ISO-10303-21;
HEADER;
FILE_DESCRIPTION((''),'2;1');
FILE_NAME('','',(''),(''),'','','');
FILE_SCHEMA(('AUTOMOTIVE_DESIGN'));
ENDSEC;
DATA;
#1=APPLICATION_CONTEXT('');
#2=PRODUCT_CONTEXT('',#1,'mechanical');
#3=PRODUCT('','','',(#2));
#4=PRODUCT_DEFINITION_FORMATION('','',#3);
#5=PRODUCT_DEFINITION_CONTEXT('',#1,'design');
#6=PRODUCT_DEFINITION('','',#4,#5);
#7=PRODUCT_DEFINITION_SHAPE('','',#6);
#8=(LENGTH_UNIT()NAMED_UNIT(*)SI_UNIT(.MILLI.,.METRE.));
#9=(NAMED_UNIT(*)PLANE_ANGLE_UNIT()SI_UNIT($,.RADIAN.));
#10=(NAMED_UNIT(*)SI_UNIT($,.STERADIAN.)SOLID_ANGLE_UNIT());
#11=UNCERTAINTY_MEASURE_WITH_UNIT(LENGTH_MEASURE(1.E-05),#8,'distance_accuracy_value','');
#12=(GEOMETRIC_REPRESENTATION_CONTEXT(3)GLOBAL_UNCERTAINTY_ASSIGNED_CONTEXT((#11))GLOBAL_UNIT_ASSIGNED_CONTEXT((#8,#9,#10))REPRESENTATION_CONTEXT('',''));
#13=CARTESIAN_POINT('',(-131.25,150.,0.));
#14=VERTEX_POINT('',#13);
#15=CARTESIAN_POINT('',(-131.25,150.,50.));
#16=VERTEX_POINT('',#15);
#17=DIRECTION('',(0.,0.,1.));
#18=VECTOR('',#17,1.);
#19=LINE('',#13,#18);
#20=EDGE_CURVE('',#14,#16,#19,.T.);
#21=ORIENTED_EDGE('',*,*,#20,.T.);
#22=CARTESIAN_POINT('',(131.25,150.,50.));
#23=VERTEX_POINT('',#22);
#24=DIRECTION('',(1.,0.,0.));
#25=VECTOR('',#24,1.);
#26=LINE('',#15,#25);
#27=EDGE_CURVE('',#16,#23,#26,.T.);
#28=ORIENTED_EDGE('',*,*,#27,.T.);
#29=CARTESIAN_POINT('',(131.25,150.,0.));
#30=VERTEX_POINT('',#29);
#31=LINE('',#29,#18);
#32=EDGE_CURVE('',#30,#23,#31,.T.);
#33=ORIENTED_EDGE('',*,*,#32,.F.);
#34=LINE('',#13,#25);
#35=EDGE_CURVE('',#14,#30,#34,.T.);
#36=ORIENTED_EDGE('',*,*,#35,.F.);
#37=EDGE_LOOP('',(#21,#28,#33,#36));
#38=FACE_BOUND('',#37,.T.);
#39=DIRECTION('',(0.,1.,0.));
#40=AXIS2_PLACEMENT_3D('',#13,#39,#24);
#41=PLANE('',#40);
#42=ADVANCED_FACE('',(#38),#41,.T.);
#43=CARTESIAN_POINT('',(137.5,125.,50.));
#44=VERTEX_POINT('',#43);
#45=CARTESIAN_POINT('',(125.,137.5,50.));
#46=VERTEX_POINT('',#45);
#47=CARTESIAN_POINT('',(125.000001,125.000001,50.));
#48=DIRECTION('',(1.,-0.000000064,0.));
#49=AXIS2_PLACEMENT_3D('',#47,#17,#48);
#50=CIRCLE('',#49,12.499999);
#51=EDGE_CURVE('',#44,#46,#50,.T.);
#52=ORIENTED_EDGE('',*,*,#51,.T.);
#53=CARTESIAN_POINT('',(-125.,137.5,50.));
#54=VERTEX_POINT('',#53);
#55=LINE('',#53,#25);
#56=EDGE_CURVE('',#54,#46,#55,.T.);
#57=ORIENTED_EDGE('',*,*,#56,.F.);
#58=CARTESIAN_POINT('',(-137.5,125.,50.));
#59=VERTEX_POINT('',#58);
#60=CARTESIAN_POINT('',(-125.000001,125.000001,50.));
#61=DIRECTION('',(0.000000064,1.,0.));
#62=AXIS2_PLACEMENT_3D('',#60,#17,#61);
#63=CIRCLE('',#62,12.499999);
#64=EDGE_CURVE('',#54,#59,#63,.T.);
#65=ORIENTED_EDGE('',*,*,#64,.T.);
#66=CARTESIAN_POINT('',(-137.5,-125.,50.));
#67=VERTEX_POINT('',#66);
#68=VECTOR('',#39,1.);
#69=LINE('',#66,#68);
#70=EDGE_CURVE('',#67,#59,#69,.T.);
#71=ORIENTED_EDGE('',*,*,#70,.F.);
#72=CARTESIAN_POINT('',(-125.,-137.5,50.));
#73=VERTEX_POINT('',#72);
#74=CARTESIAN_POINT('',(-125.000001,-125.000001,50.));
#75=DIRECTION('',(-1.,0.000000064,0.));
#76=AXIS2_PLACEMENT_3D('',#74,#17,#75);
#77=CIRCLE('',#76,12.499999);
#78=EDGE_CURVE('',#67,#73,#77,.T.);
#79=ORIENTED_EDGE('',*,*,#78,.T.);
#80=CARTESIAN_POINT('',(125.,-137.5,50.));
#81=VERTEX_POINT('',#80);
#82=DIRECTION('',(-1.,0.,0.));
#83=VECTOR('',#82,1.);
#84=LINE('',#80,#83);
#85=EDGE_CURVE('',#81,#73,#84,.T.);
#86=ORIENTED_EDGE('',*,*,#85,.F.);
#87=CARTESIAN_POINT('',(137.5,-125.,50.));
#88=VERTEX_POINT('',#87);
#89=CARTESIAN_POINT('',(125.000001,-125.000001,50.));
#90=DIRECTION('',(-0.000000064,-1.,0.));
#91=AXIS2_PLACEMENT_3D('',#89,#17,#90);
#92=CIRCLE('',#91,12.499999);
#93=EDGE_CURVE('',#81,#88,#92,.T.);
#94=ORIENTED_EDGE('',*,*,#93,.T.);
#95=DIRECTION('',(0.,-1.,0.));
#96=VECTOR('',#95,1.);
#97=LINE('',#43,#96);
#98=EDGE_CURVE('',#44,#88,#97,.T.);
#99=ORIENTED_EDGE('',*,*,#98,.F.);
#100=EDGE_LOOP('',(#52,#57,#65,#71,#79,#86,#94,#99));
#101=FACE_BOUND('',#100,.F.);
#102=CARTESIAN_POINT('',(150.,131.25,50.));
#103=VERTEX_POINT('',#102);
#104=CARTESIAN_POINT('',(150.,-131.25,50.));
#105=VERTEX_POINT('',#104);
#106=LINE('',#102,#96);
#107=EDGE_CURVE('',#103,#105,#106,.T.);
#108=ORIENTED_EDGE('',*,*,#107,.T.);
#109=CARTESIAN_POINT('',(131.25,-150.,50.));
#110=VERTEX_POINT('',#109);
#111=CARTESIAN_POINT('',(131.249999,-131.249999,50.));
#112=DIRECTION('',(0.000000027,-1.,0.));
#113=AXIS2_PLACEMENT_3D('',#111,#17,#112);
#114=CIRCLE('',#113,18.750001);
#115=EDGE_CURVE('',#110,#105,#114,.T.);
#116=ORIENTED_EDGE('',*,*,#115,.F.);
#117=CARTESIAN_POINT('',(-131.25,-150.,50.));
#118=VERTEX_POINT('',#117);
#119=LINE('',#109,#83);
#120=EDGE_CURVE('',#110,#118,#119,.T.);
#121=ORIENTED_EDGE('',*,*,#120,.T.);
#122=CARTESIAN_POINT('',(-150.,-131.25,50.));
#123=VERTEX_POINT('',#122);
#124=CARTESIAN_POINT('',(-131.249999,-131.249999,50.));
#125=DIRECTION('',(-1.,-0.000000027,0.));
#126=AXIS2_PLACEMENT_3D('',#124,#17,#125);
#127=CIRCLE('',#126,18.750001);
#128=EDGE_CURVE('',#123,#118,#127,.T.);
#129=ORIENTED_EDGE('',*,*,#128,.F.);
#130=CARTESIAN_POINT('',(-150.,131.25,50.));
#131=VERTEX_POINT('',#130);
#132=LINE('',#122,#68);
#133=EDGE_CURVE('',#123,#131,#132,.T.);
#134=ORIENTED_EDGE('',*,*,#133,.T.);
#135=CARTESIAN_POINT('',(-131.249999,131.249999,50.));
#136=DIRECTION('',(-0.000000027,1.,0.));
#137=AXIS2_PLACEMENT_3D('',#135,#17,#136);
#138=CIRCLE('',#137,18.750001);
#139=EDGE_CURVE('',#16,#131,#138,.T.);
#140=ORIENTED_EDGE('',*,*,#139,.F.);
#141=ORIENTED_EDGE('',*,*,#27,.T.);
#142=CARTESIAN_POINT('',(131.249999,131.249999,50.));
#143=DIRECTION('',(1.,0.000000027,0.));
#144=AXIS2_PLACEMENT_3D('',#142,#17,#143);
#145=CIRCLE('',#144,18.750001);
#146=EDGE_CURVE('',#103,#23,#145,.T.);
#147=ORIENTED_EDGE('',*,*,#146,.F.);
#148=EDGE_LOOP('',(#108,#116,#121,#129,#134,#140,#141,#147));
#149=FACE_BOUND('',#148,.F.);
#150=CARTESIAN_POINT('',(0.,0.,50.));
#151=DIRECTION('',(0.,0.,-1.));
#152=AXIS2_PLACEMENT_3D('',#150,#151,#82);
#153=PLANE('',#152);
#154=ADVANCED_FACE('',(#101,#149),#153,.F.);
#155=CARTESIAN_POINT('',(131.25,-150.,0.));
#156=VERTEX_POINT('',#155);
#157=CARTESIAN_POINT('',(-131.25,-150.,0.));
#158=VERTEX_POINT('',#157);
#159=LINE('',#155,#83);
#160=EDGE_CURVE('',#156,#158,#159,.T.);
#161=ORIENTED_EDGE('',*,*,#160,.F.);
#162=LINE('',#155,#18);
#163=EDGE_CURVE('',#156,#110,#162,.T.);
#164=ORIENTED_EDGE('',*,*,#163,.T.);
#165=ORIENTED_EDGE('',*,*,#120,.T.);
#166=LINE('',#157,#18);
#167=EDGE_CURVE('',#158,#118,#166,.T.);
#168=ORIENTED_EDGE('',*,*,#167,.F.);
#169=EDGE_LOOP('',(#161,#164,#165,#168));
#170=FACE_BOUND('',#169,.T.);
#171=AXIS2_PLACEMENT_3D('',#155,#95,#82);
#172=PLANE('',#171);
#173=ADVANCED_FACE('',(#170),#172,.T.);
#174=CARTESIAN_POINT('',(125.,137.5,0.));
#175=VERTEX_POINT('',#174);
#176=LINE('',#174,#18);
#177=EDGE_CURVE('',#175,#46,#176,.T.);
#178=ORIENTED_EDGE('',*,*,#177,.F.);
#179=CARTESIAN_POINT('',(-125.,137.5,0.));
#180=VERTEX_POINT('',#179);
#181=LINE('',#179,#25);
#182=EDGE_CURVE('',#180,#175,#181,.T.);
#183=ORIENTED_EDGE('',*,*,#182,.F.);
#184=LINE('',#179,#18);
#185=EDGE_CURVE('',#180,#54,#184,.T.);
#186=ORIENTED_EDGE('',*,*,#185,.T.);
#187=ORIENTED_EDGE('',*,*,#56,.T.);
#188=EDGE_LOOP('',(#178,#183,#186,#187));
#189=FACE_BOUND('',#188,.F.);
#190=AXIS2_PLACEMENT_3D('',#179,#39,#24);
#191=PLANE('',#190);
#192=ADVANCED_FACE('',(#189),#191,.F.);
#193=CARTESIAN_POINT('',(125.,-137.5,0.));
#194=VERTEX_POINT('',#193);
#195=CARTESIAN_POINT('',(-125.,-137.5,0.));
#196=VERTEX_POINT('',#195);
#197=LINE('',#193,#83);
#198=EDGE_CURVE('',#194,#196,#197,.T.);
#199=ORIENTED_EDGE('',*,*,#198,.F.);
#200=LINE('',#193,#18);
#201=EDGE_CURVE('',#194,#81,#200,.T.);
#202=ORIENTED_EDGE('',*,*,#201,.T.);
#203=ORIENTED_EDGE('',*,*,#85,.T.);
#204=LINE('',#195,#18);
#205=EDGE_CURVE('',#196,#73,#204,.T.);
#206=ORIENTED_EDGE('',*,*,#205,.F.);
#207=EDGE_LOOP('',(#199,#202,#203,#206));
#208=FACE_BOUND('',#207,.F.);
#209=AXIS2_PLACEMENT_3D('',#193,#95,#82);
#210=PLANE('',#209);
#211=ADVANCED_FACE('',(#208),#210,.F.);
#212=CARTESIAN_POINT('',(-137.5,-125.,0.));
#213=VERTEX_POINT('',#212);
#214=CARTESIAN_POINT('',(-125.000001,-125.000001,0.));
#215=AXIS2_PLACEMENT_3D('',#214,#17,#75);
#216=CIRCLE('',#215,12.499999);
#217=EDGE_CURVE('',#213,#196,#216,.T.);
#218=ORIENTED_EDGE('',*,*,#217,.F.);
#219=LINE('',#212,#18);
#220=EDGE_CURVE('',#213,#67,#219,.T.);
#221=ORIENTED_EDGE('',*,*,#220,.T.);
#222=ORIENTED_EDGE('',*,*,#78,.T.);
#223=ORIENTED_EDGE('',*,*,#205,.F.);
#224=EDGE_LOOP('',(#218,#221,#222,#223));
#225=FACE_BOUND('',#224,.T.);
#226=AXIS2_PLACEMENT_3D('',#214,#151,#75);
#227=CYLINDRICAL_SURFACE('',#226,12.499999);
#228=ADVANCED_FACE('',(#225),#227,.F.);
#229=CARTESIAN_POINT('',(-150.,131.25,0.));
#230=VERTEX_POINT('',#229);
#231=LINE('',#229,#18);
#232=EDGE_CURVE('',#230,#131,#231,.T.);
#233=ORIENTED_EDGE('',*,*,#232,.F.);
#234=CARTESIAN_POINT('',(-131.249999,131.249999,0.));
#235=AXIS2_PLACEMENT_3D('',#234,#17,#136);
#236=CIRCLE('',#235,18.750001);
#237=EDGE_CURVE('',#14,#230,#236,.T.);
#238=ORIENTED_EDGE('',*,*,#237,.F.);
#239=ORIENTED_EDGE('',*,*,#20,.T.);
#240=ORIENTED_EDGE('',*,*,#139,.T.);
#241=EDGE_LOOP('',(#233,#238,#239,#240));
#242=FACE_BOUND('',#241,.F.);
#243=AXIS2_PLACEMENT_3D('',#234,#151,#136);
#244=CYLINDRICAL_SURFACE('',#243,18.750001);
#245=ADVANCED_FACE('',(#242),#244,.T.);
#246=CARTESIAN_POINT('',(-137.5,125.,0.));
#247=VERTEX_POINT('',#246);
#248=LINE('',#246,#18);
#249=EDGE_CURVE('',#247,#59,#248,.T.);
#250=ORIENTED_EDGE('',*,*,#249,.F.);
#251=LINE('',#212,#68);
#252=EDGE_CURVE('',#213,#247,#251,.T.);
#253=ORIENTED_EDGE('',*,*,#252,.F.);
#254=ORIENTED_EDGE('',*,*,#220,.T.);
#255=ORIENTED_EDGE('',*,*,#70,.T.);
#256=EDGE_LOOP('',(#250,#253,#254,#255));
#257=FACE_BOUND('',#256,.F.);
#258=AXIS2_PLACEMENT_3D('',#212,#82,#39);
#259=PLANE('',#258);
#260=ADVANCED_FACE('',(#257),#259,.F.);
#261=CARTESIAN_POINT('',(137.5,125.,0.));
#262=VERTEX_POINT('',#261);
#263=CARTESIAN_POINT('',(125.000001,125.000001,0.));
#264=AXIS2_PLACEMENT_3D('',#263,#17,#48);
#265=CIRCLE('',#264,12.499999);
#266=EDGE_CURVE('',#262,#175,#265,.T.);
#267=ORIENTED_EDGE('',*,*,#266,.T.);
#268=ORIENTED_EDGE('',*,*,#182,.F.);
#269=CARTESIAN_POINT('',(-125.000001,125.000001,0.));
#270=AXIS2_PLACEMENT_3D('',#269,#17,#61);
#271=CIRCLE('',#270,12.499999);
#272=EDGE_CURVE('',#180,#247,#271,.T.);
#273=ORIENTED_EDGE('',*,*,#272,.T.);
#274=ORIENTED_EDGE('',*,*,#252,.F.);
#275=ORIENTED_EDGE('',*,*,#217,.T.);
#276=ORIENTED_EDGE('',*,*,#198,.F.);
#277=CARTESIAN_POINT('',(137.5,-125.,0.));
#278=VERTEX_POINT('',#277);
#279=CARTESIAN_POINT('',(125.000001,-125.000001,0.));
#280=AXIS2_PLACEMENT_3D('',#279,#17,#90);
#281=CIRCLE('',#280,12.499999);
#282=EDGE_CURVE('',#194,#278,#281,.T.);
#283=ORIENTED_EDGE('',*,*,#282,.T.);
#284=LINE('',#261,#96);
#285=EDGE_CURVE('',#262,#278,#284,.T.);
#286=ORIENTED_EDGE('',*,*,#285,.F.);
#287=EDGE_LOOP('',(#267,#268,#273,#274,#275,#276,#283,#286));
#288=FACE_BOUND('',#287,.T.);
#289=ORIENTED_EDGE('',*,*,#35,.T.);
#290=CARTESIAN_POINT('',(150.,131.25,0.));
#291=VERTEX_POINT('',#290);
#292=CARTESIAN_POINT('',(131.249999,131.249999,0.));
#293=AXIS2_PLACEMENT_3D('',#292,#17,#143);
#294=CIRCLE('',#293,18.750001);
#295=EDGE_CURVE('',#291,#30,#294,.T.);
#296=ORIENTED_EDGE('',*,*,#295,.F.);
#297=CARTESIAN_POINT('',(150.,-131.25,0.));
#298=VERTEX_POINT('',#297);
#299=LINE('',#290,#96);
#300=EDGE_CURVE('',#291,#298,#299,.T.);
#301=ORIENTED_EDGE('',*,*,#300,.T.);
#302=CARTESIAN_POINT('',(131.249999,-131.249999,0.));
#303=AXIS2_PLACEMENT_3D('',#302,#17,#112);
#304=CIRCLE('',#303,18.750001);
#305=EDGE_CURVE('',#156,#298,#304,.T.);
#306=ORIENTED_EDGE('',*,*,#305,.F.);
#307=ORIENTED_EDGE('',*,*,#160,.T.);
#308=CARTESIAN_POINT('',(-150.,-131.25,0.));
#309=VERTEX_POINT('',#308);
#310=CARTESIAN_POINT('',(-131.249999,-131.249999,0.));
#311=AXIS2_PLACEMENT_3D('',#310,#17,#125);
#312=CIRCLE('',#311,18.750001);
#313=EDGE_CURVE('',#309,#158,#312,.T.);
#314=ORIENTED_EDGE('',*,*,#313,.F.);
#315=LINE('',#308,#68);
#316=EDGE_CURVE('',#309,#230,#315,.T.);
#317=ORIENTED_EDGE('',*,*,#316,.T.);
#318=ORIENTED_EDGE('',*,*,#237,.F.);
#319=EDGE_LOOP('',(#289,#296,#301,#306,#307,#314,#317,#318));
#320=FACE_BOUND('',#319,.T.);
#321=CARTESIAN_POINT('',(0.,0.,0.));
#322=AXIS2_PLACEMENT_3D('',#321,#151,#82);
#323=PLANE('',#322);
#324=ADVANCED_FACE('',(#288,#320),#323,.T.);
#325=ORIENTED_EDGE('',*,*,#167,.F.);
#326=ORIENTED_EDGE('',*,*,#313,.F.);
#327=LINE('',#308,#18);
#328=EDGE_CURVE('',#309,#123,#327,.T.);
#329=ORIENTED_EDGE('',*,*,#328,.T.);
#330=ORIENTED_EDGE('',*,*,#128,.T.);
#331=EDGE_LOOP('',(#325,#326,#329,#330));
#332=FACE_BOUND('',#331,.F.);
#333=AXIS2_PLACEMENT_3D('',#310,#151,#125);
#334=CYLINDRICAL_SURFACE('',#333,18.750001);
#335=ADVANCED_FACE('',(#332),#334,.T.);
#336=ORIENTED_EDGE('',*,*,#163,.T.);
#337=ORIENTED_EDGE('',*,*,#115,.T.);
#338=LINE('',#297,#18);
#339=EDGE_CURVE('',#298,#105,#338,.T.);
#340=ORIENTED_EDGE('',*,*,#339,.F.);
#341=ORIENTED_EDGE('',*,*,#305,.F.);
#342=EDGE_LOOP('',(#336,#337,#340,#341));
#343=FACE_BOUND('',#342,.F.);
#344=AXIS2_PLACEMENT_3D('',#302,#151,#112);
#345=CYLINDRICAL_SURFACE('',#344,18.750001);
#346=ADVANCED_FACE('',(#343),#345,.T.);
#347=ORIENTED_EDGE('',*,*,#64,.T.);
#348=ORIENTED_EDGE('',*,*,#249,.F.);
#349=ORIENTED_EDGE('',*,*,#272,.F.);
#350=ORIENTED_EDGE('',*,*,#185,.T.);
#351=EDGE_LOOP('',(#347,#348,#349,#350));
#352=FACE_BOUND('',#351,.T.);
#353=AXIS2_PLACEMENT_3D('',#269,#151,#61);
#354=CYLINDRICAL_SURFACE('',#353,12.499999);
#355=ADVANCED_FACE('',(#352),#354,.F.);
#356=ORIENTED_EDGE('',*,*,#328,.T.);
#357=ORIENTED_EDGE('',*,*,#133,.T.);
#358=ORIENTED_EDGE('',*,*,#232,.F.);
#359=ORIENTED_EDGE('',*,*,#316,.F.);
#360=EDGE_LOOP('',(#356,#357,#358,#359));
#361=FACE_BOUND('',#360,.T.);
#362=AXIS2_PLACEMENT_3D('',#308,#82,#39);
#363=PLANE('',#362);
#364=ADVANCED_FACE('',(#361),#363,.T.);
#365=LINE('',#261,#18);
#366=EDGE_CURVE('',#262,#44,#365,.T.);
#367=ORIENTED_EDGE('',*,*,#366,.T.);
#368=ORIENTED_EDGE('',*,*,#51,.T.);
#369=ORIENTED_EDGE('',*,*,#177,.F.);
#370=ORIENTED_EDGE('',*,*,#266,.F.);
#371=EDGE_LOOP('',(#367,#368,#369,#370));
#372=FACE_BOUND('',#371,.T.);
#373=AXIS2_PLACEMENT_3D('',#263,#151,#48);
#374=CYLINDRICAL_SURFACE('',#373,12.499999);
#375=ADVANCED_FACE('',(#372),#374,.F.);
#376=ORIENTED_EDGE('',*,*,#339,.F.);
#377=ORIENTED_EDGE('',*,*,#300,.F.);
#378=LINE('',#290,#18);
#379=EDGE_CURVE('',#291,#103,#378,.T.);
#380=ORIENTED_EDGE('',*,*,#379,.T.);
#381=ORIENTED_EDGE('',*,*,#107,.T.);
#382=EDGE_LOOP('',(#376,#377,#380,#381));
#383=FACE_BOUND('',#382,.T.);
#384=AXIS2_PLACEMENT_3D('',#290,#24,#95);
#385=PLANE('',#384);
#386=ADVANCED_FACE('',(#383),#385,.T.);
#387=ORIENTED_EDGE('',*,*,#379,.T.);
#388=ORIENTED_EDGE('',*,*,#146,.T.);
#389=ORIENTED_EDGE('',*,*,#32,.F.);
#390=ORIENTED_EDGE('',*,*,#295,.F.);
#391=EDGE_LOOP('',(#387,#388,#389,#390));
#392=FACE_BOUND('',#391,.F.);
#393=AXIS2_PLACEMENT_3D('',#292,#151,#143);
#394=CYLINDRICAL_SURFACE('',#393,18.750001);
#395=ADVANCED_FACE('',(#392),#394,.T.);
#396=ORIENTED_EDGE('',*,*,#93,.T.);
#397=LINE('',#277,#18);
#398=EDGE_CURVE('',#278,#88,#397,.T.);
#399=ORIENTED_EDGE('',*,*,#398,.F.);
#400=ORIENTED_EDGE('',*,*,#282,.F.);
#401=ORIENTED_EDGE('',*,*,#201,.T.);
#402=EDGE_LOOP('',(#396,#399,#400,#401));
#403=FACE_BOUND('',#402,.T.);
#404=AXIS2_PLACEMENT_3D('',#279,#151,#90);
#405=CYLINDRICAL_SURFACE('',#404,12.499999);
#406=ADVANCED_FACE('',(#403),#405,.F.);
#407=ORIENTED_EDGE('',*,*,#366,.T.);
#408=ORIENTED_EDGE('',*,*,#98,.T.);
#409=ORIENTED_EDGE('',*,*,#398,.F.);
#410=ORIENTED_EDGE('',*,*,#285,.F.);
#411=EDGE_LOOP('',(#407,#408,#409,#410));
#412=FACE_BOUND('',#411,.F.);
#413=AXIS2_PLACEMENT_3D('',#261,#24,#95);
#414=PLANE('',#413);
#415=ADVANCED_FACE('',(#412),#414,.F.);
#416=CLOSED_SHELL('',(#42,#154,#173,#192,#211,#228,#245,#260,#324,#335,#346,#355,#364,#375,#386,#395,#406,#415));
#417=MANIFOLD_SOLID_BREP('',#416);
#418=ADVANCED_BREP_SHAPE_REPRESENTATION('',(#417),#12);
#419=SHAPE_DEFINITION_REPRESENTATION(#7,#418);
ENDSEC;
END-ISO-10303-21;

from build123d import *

# Parameters (mm, degrees)
EXTRUDE_DEPTH = 50


with BuildPart() as part:
    # Sketch → Extrude (new body)
    with BuildSketch(Plane.XY):
        with BuildLine():
            Line((-131.25, 150), (131.25, 150))
            ThreePointArc((150, 131.25), (144.508252, 144.508252), (131.25, 150))
            Line((150, 131.25), (150, -131.25))
            ThreePointArc((131.25, -150), (144.508252, -144.508252), (150, -131.25))
            Line((131.25, -150), (-131.25, -150))
            ThreePointArc((-150, -131.25), (-144.508252, -144.508252), (-131.25, -150))
            Line((-150, -131.25), (-150, 131.25))
            ThreePointArc((-131.25, 150), (-144.508252, 144.508252), (-150, 131.25))
        make_face()
        with BuildLine():
            Line((-125, 137.5), (125, 137.5))
            ThreePointArc((137.5, 125), (133.838835, 133.838835), (125, 137.5))
            Line((137.5, 125), (137.5, -125))
            ThreePointArc((125, -137.5), (133.838835, -133.838835), (137.5, -125))
            Line((125, -137.5), (-125, -137.5))
            ThreePointArc((-137.5, -125), (-133.838835, -133.838835), (-125, -137.5))
            Line((-137.5, -125), (-137.5, 125))
            ThreePointArc((-125, 137.5), (-133.838835, 133.838835), (-137.5, 125))
        make_face(mode=Mode.SUBTRACT)
    extrude(amount=EXTRUDE_DEPTH)


solid = part.part
